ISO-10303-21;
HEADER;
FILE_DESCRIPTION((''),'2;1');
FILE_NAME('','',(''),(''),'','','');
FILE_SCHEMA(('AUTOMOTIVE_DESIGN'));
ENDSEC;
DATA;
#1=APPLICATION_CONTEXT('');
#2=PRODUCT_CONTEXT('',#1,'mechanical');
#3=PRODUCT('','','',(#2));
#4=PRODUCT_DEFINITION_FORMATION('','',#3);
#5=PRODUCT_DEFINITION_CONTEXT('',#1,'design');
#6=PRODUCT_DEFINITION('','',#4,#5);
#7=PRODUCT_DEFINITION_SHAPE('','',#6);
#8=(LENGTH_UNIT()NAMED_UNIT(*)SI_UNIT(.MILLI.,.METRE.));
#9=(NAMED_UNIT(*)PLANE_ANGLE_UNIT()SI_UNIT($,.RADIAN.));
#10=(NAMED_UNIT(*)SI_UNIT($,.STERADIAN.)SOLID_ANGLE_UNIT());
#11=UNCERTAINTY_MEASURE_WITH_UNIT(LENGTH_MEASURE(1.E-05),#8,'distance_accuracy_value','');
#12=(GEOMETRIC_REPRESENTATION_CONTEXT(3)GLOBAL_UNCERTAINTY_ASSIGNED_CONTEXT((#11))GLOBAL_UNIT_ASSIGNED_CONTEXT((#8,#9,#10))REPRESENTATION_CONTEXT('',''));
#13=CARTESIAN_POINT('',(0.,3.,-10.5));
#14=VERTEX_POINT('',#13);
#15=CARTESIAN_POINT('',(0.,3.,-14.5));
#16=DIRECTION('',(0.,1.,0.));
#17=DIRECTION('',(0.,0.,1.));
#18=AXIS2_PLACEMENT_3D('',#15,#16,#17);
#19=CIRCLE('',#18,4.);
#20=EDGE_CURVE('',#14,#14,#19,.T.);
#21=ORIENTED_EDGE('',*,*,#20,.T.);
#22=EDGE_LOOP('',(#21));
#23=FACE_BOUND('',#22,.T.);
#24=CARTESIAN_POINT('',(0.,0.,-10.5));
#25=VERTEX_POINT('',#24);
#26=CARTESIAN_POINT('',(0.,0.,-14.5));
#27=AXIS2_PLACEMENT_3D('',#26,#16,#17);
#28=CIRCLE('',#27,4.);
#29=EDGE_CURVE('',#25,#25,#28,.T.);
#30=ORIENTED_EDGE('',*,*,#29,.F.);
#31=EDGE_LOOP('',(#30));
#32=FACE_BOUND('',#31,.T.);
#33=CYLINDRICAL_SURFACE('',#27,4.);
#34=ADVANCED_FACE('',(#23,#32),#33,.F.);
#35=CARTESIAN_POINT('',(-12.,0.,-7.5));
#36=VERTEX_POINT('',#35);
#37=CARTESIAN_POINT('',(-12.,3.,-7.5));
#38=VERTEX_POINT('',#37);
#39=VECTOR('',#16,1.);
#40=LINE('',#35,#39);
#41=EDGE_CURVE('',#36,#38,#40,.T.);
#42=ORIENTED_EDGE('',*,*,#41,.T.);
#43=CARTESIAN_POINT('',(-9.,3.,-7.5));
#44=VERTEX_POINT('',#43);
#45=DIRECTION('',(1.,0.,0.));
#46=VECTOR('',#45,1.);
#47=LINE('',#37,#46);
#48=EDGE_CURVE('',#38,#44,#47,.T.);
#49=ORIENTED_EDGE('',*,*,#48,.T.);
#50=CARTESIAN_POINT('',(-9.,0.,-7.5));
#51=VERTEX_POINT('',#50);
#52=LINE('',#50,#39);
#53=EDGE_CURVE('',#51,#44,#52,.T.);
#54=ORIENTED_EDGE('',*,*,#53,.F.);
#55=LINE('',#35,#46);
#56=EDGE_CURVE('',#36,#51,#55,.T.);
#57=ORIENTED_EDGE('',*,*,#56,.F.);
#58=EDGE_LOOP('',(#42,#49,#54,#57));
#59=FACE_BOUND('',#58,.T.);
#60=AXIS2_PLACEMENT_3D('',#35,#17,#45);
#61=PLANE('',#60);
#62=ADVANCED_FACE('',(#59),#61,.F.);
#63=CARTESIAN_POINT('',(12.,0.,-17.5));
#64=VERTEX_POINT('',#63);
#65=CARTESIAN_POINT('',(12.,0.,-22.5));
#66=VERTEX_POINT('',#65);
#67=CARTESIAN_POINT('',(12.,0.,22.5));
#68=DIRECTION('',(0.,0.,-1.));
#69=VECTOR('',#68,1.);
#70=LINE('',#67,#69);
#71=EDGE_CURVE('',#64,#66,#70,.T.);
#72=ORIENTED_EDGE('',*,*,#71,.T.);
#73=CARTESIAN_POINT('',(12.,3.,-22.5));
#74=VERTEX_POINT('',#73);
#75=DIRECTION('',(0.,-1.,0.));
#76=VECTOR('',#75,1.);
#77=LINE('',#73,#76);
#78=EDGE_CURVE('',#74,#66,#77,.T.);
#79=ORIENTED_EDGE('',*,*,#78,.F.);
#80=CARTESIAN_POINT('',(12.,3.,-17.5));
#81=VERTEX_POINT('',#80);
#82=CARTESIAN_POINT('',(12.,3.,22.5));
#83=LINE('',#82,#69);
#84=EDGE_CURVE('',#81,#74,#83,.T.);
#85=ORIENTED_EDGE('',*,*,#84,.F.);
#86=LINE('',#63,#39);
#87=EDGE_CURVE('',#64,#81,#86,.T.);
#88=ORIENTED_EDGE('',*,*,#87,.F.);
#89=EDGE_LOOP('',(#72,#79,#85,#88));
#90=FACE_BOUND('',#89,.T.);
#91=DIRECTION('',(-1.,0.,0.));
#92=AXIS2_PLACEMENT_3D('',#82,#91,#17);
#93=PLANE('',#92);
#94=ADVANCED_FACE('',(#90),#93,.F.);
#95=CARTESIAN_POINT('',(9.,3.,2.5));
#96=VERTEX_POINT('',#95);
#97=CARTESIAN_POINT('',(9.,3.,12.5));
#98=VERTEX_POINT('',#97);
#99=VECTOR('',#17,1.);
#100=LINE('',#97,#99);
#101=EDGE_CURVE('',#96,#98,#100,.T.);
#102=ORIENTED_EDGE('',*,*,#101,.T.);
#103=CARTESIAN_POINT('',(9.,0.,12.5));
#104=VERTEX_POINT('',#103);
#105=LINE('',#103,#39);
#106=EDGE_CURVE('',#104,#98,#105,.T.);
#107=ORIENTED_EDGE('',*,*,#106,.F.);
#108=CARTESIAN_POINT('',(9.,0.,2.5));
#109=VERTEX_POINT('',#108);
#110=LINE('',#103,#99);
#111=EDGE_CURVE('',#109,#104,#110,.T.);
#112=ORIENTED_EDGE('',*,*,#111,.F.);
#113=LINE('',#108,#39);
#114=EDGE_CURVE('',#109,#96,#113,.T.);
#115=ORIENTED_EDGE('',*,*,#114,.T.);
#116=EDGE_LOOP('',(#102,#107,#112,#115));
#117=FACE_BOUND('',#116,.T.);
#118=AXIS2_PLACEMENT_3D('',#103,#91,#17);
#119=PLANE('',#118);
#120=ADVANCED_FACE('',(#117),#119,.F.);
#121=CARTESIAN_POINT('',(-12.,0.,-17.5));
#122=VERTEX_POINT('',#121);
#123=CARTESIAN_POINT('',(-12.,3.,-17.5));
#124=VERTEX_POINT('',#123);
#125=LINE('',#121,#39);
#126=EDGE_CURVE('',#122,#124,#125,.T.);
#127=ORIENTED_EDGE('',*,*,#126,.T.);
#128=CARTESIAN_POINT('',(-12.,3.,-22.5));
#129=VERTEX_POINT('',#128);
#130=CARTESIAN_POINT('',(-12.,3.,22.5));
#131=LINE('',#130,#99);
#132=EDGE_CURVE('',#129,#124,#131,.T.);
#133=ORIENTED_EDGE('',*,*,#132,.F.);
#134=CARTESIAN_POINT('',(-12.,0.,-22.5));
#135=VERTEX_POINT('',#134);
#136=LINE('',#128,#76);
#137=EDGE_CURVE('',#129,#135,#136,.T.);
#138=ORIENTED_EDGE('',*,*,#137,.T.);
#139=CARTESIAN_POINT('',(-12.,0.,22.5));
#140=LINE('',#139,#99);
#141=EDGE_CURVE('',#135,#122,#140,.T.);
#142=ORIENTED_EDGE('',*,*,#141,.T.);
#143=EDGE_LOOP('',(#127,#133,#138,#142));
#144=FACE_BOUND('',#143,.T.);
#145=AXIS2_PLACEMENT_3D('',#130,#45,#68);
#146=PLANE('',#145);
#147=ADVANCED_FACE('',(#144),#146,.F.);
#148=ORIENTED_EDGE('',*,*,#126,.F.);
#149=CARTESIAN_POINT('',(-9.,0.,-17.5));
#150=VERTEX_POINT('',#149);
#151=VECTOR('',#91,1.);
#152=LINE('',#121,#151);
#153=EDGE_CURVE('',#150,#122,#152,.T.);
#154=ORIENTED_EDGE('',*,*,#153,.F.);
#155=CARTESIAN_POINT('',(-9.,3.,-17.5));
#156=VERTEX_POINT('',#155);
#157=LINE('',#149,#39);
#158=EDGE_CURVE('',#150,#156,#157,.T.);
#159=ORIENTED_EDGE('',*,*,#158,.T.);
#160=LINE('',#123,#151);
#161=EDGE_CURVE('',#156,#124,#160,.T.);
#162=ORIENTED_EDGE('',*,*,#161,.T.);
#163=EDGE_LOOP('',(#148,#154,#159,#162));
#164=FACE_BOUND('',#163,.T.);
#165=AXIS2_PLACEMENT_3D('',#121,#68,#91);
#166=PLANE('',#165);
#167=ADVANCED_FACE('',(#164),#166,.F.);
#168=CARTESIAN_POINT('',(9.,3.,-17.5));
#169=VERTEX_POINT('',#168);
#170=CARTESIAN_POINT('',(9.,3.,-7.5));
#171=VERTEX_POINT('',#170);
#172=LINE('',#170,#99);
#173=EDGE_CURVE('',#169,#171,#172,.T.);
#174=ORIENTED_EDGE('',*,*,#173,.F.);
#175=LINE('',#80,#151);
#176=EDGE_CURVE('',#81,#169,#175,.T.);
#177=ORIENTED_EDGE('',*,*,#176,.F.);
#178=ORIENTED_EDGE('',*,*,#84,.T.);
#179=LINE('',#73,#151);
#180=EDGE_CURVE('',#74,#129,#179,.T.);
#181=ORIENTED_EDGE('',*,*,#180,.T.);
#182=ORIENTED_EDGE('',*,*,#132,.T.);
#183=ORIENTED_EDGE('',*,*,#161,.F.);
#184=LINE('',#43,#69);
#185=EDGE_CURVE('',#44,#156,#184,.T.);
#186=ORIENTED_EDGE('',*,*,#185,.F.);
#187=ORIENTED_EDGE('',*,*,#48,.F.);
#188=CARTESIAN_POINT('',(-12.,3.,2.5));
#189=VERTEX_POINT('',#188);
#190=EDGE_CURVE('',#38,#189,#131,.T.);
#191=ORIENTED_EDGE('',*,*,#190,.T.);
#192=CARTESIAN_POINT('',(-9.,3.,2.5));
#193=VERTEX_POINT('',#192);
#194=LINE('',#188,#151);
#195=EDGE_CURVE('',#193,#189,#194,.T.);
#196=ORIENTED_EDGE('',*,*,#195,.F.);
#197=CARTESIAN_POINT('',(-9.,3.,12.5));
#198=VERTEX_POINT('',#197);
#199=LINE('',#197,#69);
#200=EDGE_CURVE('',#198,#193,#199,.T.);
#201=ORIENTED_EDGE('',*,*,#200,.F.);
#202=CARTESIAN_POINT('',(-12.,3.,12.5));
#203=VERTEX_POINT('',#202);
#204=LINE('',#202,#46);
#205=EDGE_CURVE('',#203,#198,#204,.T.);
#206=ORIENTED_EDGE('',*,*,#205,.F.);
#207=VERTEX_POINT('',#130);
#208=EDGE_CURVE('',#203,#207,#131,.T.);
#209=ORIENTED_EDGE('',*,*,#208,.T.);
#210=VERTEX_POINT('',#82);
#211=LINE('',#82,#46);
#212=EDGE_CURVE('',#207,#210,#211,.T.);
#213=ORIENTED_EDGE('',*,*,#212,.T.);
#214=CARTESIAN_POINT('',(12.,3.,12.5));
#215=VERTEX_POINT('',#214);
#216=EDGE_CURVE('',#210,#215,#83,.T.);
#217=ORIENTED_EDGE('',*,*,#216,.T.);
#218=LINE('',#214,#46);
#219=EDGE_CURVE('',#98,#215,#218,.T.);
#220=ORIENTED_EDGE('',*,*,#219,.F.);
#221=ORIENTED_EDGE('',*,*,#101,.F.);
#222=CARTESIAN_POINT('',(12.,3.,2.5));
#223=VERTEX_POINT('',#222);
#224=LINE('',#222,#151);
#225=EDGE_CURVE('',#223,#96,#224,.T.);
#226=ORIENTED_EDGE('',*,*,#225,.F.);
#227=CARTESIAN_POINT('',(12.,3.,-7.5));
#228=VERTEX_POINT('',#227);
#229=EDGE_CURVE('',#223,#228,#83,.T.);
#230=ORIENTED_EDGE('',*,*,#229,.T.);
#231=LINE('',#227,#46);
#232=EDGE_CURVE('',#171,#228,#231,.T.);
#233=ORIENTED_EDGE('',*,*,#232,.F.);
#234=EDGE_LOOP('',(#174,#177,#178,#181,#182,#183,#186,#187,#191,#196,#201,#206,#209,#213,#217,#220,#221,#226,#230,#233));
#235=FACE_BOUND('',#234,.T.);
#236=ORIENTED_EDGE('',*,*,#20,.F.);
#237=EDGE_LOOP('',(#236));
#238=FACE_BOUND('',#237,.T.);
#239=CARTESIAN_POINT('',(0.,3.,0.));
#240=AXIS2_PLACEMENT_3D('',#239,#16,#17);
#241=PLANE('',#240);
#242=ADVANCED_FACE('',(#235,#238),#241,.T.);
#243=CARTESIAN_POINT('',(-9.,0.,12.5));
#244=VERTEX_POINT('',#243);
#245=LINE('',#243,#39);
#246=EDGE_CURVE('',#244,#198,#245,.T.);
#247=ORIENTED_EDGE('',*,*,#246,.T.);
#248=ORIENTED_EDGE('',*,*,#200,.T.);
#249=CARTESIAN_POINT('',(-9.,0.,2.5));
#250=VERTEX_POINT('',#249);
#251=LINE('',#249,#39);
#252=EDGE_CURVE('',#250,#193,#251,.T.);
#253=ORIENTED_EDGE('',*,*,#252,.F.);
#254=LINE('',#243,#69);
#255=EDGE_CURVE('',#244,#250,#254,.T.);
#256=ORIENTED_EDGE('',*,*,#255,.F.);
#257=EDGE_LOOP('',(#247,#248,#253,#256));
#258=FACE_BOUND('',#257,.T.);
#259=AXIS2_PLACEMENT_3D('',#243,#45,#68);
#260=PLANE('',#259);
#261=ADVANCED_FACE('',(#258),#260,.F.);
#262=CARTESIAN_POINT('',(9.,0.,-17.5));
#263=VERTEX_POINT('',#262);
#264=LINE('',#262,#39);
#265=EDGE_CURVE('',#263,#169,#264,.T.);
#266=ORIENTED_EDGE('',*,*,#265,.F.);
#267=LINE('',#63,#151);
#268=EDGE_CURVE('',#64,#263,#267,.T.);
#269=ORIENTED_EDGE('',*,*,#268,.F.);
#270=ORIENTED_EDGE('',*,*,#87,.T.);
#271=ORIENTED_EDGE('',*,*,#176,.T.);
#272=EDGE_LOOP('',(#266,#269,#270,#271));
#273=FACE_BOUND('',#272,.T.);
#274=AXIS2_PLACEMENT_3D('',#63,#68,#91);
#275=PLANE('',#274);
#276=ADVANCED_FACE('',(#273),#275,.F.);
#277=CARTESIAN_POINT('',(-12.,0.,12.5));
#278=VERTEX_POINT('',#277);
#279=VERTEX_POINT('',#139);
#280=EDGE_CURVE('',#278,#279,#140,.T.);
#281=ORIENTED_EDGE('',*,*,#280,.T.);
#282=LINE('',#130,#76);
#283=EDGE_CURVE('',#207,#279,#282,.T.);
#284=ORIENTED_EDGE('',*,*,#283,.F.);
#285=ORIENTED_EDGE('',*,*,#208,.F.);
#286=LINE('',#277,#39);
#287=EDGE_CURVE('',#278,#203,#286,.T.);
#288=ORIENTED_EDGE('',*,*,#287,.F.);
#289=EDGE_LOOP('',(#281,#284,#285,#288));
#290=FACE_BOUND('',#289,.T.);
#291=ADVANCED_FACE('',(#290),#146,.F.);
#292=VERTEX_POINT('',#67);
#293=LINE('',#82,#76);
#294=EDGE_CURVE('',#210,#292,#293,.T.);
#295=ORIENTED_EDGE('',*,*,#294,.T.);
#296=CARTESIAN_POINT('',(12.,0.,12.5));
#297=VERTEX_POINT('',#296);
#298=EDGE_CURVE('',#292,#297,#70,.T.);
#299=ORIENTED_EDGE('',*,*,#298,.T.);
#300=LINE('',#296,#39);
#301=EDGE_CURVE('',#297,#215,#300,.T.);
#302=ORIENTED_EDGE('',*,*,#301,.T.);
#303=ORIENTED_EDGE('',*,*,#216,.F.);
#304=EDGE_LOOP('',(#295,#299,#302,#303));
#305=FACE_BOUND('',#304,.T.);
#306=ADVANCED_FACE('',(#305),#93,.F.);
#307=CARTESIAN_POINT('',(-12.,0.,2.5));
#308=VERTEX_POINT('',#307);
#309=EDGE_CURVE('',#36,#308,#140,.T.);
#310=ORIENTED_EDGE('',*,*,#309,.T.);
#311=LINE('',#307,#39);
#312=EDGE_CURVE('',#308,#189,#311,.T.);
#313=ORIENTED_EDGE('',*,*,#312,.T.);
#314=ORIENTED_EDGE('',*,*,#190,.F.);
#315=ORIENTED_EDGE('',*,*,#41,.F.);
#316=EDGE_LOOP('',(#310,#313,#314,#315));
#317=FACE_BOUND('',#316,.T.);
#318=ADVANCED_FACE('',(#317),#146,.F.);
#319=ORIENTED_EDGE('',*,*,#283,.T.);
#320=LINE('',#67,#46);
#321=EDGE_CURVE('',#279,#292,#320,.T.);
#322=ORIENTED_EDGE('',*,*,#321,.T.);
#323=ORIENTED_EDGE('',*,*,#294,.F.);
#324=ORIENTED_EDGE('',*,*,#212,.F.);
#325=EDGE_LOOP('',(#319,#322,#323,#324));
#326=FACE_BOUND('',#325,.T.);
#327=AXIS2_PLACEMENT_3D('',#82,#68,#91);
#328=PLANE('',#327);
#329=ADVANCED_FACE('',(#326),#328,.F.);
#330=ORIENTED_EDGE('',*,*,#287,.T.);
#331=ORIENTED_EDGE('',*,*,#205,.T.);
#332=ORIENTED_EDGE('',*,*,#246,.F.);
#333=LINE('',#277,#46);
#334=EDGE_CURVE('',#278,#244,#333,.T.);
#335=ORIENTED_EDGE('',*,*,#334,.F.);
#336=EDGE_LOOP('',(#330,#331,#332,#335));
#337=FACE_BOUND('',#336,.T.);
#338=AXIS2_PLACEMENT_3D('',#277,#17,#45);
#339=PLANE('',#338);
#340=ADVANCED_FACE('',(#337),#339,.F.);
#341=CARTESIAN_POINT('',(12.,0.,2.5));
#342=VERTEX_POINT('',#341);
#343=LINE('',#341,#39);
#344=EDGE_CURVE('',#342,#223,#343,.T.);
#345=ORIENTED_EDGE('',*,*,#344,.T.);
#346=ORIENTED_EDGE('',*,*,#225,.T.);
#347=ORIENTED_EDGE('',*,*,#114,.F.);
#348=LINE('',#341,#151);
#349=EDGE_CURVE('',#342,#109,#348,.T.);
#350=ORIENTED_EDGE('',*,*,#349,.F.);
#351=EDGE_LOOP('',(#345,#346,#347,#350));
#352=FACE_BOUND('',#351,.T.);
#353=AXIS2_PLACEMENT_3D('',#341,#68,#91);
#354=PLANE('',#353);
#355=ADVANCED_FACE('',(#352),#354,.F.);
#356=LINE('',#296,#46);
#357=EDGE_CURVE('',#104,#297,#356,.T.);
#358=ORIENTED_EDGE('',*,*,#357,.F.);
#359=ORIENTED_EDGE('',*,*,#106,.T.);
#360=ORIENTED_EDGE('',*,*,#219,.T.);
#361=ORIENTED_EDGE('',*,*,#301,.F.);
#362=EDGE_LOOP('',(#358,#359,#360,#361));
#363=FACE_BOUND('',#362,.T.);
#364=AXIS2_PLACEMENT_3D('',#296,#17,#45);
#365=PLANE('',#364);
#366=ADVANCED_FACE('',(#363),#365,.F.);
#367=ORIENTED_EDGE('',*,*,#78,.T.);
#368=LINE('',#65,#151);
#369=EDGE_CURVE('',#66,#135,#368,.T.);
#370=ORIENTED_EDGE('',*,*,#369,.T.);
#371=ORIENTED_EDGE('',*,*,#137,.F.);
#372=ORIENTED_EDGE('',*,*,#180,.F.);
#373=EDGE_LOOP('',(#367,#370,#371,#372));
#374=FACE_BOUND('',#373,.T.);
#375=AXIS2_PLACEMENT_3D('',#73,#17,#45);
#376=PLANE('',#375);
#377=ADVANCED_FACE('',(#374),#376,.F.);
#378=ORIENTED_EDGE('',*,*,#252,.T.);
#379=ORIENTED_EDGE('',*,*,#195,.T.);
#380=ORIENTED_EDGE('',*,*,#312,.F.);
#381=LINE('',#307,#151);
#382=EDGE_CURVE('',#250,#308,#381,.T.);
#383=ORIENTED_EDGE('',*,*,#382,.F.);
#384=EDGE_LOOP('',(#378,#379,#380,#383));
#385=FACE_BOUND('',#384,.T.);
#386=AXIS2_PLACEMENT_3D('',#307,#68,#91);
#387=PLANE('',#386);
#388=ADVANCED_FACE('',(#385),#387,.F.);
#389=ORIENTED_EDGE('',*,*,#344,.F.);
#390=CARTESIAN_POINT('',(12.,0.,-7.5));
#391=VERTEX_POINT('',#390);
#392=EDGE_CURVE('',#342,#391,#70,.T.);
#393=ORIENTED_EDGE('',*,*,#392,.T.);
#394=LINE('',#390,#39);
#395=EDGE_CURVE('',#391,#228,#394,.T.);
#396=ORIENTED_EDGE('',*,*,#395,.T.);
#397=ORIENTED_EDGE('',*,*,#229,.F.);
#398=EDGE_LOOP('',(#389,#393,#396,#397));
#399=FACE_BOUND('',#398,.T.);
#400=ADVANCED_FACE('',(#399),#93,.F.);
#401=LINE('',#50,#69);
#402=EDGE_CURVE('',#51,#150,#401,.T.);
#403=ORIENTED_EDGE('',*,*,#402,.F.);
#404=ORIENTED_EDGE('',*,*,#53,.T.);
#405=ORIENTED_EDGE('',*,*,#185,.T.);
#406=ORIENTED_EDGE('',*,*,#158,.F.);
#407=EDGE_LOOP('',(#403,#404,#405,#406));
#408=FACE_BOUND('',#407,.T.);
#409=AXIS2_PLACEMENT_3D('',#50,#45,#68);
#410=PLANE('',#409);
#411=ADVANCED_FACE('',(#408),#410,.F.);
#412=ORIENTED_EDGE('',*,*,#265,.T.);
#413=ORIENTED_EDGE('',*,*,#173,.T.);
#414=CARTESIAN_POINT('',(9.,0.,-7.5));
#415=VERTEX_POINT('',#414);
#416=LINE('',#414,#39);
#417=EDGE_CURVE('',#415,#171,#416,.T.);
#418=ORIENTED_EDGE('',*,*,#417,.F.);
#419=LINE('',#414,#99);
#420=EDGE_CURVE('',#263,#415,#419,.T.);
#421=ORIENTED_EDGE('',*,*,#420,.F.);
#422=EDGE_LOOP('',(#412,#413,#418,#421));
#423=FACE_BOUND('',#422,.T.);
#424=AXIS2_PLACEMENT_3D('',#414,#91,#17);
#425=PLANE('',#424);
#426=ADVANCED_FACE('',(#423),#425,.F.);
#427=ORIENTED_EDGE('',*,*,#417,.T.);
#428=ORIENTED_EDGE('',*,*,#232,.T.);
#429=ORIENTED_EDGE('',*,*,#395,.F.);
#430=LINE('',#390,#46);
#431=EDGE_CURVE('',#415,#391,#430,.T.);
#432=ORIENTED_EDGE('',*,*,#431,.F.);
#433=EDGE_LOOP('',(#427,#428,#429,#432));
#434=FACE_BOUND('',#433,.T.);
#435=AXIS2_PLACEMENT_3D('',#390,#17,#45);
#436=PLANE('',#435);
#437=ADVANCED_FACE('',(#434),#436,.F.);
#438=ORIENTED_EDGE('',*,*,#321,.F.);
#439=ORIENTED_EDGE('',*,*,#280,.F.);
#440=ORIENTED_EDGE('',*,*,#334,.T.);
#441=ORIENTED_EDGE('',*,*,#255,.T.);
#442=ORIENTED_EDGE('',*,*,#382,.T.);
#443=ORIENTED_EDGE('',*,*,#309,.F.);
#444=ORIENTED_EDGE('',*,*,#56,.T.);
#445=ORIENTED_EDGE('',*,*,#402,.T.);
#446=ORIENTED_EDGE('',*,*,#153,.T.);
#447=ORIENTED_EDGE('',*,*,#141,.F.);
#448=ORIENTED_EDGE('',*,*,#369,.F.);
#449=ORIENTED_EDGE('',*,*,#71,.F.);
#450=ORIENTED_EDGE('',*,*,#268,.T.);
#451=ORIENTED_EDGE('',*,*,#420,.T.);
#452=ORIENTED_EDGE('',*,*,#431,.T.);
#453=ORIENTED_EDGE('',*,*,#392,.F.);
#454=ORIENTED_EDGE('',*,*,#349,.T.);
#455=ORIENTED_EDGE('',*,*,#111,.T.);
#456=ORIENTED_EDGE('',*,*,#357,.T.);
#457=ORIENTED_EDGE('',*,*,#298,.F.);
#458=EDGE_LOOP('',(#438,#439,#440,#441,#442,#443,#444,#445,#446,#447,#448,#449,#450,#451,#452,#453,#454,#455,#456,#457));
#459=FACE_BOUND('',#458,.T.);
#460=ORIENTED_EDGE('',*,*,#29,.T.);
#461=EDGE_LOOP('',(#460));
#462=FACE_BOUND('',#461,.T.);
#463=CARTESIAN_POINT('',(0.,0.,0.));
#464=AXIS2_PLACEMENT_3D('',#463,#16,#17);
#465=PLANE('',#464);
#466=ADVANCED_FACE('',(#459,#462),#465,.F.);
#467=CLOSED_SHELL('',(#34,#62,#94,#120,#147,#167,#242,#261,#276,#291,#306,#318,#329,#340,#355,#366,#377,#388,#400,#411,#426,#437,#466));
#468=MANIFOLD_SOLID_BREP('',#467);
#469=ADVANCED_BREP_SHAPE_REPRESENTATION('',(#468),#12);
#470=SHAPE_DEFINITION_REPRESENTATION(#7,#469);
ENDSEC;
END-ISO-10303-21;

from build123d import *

# Parameters (mm, degrees)
SKETCH1_W           = 24
SKETCH1_H           = 45
BOSS_EXTRUDE1_DEPTH = 3
SKETCH4_R           = 4
SKETCH4_W           = 3
SKETCH4_H           = 10
CUT_EXTRUDE1_DEPTH  = 4


with BuildPart() as part:
    # Sketch1 → Boss-Extrude1 (new body)
    with BuildSketch(Plane(origin=(0, 0, 0), x_dir=(1, 0, 0), z_dir=(0, 1, 0))):
        Rectangle(SKETCH1_W, SKETCH1_H)
    extrude(amount=BOSS_EXTRUDE1_DEPTH)

    # Sketch4 → Cut-Extrude1 (cut, through all)
    with BuildSketch(Plane(origin=(0, 3, 0), x_dir=(1, 0, 0), z_dir=(0, 1, 0))):
        with Locations((0, 14.5)):
            Circle(SKETCH4_R)
        with Locations((-10.5, -7.5)):
            Rectangle(SKETCH4_W, SKETCH4_H)
        with Locations((-10.5, 12.5)):
            Rectangle(SKETCH4_W, SKETCH4_H)
        with Locations((10.5, 12.5)):
            Rectangle(SKETCH4_W, SKETCH4_H)
        with Locations((10.5, -7.5)):
            Rectangle(SKETCH4_W, SKETCH4_H)
    extrude(amount=-CUT_EXTRUDE1_DEPTH, mode=Mode.SUBTRACT)


solid = part.part
